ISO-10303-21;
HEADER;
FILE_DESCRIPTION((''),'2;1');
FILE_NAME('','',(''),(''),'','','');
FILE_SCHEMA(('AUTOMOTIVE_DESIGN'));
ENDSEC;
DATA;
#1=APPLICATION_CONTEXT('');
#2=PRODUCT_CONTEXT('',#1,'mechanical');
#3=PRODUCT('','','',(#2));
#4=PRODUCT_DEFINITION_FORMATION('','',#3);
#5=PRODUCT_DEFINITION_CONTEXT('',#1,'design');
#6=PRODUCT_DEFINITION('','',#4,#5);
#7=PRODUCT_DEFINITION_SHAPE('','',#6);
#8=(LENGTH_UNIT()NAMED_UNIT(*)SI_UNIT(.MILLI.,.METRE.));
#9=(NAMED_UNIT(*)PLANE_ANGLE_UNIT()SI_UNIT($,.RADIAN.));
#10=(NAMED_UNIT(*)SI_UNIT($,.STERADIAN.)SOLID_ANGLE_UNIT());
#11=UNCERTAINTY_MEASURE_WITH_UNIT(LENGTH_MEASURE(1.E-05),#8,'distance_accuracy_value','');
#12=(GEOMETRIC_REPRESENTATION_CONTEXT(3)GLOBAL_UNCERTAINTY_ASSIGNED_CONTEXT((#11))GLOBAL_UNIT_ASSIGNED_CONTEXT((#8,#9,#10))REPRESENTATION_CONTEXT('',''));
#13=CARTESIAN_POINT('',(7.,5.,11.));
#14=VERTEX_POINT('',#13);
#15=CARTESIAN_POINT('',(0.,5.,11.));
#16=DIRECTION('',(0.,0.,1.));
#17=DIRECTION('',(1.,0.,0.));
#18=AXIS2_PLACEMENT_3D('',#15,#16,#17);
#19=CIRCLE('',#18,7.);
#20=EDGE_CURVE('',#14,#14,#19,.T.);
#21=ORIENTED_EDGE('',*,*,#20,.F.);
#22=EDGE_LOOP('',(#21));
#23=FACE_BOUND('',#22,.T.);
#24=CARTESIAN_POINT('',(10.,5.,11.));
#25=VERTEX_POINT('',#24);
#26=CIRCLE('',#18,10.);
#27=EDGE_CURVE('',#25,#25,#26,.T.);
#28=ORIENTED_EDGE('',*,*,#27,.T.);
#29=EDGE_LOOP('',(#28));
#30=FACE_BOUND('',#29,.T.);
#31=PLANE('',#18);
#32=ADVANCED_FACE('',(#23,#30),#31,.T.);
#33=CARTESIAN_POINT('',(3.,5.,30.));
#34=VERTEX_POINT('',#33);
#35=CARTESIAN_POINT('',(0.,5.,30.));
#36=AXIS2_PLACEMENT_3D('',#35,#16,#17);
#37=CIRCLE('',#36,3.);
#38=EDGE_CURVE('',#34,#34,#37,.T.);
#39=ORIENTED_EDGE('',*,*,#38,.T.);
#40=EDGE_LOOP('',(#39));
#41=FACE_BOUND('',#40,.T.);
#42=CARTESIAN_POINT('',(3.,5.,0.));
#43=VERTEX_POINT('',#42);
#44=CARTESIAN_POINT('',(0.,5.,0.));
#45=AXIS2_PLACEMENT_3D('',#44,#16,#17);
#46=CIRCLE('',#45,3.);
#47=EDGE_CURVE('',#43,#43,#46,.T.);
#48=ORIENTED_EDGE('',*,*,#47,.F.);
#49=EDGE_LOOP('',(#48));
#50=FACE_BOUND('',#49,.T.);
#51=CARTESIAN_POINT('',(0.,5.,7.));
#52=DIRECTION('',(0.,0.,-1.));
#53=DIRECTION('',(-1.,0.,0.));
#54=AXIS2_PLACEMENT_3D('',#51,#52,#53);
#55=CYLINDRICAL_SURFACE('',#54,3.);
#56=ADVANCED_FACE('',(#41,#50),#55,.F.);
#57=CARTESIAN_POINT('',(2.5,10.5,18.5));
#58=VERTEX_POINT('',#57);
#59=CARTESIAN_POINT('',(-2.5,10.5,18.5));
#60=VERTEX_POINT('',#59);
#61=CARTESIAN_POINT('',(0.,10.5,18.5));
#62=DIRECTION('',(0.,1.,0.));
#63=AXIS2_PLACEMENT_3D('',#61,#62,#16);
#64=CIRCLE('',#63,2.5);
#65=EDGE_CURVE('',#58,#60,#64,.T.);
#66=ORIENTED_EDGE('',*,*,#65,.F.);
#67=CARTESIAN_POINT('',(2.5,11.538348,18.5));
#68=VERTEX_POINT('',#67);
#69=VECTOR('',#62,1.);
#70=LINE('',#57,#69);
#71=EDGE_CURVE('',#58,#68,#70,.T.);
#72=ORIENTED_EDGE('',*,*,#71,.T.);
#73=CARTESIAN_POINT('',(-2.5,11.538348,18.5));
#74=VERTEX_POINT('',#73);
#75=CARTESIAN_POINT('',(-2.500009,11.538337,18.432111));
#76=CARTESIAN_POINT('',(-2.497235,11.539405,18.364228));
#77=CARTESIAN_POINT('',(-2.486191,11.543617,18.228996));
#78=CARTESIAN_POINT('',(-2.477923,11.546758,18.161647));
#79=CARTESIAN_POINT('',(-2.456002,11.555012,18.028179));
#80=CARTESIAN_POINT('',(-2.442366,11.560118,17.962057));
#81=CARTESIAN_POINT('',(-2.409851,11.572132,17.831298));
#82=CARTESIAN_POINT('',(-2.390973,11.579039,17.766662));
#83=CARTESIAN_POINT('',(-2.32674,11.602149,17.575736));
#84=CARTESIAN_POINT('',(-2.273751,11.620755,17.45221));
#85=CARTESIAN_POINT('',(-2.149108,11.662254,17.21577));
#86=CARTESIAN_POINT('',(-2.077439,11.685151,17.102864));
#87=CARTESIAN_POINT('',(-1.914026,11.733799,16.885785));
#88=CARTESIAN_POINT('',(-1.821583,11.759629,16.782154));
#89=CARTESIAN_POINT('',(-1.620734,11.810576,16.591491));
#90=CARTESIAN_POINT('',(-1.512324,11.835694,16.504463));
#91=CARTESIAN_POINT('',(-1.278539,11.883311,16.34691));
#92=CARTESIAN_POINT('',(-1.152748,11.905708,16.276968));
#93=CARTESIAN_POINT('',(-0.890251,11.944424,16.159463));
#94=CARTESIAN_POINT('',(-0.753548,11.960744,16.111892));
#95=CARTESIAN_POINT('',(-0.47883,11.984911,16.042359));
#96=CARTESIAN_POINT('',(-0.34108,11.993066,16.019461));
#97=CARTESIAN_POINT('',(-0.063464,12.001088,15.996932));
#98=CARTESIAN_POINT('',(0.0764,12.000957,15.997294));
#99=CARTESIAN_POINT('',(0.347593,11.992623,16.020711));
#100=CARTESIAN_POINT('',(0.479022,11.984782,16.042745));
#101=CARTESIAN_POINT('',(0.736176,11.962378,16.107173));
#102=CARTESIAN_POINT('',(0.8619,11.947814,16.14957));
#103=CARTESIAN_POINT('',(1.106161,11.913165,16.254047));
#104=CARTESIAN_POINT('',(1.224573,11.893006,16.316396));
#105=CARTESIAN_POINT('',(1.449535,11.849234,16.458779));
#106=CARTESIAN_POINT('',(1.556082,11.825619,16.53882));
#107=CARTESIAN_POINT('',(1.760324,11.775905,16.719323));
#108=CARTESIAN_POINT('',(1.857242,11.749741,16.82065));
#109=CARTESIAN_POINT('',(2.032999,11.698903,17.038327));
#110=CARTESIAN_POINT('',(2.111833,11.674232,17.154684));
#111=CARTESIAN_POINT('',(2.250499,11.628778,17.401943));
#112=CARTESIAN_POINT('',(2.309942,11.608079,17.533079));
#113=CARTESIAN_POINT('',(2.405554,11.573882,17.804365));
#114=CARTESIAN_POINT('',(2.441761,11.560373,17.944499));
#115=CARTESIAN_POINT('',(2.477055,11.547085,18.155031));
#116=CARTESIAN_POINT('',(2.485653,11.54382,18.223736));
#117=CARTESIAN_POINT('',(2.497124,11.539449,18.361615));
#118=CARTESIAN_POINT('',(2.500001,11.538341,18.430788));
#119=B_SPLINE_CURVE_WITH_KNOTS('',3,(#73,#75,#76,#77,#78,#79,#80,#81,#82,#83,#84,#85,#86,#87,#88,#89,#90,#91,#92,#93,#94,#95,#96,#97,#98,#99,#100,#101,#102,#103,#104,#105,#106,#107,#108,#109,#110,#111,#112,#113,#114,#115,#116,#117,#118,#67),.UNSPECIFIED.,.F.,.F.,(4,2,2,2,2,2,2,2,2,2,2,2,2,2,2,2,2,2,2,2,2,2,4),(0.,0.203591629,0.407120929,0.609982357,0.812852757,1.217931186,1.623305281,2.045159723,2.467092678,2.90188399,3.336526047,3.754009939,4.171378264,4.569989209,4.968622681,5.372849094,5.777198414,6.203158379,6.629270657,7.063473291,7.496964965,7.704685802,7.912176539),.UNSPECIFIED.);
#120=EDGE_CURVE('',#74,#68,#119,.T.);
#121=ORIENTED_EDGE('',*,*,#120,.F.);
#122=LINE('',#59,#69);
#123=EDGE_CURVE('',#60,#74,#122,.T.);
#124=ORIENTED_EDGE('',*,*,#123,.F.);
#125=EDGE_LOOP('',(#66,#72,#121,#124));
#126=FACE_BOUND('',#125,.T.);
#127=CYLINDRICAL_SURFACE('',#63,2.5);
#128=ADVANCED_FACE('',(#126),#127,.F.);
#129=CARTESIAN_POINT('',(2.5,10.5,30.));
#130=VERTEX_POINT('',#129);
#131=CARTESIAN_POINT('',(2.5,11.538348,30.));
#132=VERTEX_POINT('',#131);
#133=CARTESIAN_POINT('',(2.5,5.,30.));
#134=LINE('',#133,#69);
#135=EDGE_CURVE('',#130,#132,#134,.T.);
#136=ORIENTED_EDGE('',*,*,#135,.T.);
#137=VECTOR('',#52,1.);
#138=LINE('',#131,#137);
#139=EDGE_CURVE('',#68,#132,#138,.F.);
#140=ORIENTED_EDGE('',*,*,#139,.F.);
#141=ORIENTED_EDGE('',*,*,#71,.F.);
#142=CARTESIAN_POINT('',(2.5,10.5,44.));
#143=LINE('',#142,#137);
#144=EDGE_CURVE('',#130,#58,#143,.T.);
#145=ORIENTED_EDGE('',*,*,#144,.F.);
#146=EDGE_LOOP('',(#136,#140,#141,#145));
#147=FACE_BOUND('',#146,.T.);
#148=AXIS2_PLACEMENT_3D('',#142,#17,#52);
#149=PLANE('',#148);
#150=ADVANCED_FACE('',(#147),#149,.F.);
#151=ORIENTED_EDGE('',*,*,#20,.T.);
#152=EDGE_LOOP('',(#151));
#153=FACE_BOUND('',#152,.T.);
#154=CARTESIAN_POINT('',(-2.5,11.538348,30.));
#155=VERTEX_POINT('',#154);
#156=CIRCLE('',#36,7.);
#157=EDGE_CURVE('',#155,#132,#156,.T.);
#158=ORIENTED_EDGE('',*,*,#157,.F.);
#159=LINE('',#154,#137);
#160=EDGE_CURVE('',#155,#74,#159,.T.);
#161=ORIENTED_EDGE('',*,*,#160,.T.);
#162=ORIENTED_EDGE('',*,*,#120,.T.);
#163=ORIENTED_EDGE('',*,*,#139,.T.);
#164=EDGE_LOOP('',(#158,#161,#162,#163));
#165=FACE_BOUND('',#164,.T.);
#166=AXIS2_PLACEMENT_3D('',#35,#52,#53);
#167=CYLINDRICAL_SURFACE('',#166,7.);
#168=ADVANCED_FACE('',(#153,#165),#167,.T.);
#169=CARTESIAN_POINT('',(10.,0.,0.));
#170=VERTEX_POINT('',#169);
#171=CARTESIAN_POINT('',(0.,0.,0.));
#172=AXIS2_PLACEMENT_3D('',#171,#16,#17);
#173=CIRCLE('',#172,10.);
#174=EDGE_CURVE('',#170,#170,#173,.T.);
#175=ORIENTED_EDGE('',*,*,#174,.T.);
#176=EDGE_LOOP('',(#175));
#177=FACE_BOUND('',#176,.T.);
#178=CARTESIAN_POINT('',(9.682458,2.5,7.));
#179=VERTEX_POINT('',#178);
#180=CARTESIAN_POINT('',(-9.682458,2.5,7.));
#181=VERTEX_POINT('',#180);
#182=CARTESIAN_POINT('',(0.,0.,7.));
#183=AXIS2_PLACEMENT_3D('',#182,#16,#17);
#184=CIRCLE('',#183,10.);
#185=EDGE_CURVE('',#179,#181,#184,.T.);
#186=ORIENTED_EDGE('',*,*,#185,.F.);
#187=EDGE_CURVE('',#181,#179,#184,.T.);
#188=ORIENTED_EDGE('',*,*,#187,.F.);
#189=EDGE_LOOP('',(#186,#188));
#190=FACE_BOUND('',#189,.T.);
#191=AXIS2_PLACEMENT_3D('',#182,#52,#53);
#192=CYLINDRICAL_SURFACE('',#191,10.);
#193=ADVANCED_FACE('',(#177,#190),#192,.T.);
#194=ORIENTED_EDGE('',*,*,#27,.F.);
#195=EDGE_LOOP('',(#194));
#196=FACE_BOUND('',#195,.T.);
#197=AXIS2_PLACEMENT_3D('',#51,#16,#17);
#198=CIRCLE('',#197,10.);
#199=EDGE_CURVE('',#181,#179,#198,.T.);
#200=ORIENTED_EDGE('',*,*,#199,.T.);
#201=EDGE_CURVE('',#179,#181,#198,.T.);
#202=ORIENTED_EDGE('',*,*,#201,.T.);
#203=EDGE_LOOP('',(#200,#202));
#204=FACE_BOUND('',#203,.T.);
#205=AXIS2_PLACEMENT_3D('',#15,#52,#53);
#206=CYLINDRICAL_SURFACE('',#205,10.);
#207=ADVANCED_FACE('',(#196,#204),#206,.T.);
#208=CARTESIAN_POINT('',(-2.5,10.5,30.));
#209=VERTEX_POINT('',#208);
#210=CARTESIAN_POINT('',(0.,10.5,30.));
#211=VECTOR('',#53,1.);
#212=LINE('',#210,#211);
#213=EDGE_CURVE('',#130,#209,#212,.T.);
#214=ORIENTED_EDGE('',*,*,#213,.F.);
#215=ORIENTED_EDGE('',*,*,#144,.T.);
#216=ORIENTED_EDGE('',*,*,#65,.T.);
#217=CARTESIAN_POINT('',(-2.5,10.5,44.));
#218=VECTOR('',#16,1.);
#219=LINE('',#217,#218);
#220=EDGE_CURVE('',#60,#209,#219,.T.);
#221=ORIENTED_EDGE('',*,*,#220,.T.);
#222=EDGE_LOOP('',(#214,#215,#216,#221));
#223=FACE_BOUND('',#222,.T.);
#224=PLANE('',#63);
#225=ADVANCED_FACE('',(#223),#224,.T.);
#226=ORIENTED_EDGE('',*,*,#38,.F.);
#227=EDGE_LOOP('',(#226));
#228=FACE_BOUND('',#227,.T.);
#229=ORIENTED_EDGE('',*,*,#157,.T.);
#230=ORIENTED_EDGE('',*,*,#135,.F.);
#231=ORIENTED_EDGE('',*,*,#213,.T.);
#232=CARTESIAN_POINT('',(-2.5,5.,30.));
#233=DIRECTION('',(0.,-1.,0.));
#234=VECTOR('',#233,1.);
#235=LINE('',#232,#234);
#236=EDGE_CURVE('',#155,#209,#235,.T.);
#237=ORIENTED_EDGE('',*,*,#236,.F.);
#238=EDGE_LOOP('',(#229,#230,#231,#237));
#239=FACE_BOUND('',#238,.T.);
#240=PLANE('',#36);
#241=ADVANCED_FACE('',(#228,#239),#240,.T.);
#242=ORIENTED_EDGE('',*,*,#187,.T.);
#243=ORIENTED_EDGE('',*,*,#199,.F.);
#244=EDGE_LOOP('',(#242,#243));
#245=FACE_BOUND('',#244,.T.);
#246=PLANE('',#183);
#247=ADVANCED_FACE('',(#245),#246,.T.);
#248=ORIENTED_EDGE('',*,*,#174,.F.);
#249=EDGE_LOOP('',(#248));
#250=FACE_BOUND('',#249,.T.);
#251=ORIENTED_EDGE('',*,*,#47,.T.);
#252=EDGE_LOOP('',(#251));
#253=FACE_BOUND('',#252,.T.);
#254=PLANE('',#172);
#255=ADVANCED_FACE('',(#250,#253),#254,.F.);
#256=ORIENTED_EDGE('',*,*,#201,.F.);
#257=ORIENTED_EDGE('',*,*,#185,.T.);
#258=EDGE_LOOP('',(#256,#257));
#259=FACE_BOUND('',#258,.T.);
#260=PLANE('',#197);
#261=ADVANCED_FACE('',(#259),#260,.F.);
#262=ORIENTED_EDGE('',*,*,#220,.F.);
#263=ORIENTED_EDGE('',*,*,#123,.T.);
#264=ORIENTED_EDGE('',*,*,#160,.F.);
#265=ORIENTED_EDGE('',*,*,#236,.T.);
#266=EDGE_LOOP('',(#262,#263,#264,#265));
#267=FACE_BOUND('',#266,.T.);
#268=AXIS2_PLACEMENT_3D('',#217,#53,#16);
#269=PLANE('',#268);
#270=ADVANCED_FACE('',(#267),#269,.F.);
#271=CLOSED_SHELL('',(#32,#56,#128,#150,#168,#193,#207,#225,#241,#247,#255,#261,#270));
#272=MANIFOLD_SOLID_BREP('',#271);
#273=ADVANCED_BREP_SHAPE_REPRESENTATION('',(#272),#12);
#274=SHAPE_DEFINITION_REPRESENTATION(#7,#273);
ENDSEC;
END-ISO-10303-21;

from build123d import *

# Parameters (mm, degrees)
SKETCH1_R           = 10
SKETCH1_R_2         = 3
BOSS_EXTRUDE1_DEPTH = 7
SKETCH2_R           = 10
SKETCH2_R_2         = 3
BOSS_EXTRUDE2_DEPTH = 4
SKETCH3_R           = 7
SKETCH3_R_2         = 3
BOSS_EXTRUDE3_DEPTH = 19
CUT_EXTRUDE1_START  = 20.5
CUT_EXTRUDE1_DEPTH  = 10


with BuildPart() as part:
    # Sketch1 → Boss-Extrude1 (new body)
    with BuildSketch(Plane.XY):
        Circle(SKETCH1_R)
        with Locations((0, 5)):
            Circle(SKETCH1_R_2, mode=Mode.SUBTRACT)
    extrude(amount=BOSS_EXTRUDE1_DEPTH)

    # Sketch2 → Boss-Extrude2 (add)
    with BuildSketch(Plane.XY.offset(7)):
        with Locations((0, 5)):
            Circle(SKETCH2_R)
        with Locations((0, 5)):
            Circle(SKETCH2_R_2, mode=Mode.SUBTRACT)
    extrude(amount=BOSS_EXTRUDE2_DEPTH)

    # Sketch3 → Boss-Extrude3 (add)
    with BuildSketch(Plane.XY.offset(11)):
        with Locations((0, 5)):
            Circle(SKETCH3_R)
        with Locations((0, 5)):
            Circle(SKETCH3_R_2, mode=Mode.SUBTRACT)
    extrude(amount=BOSS_EXTRUDE3_DEPTH)

    # Sketch5 → Cut-Extrude1 (cut)
    with BuildSketch(Plane(origin=(0, 0, 0), x_dir=(1, 0, 0), z_dir=(0, 1, 0)).offset(CUT_EXTRUDE1_START)):
        with BuildLine():
            Line((2.5, -44), (-2.5, -44))
            Line((-2.5, -44), (-2.5, -18.5))
            ThreePointArc((-2.5, -18.5), (0, -16), (2.5, -18.5))
            Line((2.5, -18.5), (2.5, -44))
        make_face()
    extrude(amount=-CUT_EXTRUDE1_DEPTH, mode=Mode.SUBTRACT)


solid = part.part
